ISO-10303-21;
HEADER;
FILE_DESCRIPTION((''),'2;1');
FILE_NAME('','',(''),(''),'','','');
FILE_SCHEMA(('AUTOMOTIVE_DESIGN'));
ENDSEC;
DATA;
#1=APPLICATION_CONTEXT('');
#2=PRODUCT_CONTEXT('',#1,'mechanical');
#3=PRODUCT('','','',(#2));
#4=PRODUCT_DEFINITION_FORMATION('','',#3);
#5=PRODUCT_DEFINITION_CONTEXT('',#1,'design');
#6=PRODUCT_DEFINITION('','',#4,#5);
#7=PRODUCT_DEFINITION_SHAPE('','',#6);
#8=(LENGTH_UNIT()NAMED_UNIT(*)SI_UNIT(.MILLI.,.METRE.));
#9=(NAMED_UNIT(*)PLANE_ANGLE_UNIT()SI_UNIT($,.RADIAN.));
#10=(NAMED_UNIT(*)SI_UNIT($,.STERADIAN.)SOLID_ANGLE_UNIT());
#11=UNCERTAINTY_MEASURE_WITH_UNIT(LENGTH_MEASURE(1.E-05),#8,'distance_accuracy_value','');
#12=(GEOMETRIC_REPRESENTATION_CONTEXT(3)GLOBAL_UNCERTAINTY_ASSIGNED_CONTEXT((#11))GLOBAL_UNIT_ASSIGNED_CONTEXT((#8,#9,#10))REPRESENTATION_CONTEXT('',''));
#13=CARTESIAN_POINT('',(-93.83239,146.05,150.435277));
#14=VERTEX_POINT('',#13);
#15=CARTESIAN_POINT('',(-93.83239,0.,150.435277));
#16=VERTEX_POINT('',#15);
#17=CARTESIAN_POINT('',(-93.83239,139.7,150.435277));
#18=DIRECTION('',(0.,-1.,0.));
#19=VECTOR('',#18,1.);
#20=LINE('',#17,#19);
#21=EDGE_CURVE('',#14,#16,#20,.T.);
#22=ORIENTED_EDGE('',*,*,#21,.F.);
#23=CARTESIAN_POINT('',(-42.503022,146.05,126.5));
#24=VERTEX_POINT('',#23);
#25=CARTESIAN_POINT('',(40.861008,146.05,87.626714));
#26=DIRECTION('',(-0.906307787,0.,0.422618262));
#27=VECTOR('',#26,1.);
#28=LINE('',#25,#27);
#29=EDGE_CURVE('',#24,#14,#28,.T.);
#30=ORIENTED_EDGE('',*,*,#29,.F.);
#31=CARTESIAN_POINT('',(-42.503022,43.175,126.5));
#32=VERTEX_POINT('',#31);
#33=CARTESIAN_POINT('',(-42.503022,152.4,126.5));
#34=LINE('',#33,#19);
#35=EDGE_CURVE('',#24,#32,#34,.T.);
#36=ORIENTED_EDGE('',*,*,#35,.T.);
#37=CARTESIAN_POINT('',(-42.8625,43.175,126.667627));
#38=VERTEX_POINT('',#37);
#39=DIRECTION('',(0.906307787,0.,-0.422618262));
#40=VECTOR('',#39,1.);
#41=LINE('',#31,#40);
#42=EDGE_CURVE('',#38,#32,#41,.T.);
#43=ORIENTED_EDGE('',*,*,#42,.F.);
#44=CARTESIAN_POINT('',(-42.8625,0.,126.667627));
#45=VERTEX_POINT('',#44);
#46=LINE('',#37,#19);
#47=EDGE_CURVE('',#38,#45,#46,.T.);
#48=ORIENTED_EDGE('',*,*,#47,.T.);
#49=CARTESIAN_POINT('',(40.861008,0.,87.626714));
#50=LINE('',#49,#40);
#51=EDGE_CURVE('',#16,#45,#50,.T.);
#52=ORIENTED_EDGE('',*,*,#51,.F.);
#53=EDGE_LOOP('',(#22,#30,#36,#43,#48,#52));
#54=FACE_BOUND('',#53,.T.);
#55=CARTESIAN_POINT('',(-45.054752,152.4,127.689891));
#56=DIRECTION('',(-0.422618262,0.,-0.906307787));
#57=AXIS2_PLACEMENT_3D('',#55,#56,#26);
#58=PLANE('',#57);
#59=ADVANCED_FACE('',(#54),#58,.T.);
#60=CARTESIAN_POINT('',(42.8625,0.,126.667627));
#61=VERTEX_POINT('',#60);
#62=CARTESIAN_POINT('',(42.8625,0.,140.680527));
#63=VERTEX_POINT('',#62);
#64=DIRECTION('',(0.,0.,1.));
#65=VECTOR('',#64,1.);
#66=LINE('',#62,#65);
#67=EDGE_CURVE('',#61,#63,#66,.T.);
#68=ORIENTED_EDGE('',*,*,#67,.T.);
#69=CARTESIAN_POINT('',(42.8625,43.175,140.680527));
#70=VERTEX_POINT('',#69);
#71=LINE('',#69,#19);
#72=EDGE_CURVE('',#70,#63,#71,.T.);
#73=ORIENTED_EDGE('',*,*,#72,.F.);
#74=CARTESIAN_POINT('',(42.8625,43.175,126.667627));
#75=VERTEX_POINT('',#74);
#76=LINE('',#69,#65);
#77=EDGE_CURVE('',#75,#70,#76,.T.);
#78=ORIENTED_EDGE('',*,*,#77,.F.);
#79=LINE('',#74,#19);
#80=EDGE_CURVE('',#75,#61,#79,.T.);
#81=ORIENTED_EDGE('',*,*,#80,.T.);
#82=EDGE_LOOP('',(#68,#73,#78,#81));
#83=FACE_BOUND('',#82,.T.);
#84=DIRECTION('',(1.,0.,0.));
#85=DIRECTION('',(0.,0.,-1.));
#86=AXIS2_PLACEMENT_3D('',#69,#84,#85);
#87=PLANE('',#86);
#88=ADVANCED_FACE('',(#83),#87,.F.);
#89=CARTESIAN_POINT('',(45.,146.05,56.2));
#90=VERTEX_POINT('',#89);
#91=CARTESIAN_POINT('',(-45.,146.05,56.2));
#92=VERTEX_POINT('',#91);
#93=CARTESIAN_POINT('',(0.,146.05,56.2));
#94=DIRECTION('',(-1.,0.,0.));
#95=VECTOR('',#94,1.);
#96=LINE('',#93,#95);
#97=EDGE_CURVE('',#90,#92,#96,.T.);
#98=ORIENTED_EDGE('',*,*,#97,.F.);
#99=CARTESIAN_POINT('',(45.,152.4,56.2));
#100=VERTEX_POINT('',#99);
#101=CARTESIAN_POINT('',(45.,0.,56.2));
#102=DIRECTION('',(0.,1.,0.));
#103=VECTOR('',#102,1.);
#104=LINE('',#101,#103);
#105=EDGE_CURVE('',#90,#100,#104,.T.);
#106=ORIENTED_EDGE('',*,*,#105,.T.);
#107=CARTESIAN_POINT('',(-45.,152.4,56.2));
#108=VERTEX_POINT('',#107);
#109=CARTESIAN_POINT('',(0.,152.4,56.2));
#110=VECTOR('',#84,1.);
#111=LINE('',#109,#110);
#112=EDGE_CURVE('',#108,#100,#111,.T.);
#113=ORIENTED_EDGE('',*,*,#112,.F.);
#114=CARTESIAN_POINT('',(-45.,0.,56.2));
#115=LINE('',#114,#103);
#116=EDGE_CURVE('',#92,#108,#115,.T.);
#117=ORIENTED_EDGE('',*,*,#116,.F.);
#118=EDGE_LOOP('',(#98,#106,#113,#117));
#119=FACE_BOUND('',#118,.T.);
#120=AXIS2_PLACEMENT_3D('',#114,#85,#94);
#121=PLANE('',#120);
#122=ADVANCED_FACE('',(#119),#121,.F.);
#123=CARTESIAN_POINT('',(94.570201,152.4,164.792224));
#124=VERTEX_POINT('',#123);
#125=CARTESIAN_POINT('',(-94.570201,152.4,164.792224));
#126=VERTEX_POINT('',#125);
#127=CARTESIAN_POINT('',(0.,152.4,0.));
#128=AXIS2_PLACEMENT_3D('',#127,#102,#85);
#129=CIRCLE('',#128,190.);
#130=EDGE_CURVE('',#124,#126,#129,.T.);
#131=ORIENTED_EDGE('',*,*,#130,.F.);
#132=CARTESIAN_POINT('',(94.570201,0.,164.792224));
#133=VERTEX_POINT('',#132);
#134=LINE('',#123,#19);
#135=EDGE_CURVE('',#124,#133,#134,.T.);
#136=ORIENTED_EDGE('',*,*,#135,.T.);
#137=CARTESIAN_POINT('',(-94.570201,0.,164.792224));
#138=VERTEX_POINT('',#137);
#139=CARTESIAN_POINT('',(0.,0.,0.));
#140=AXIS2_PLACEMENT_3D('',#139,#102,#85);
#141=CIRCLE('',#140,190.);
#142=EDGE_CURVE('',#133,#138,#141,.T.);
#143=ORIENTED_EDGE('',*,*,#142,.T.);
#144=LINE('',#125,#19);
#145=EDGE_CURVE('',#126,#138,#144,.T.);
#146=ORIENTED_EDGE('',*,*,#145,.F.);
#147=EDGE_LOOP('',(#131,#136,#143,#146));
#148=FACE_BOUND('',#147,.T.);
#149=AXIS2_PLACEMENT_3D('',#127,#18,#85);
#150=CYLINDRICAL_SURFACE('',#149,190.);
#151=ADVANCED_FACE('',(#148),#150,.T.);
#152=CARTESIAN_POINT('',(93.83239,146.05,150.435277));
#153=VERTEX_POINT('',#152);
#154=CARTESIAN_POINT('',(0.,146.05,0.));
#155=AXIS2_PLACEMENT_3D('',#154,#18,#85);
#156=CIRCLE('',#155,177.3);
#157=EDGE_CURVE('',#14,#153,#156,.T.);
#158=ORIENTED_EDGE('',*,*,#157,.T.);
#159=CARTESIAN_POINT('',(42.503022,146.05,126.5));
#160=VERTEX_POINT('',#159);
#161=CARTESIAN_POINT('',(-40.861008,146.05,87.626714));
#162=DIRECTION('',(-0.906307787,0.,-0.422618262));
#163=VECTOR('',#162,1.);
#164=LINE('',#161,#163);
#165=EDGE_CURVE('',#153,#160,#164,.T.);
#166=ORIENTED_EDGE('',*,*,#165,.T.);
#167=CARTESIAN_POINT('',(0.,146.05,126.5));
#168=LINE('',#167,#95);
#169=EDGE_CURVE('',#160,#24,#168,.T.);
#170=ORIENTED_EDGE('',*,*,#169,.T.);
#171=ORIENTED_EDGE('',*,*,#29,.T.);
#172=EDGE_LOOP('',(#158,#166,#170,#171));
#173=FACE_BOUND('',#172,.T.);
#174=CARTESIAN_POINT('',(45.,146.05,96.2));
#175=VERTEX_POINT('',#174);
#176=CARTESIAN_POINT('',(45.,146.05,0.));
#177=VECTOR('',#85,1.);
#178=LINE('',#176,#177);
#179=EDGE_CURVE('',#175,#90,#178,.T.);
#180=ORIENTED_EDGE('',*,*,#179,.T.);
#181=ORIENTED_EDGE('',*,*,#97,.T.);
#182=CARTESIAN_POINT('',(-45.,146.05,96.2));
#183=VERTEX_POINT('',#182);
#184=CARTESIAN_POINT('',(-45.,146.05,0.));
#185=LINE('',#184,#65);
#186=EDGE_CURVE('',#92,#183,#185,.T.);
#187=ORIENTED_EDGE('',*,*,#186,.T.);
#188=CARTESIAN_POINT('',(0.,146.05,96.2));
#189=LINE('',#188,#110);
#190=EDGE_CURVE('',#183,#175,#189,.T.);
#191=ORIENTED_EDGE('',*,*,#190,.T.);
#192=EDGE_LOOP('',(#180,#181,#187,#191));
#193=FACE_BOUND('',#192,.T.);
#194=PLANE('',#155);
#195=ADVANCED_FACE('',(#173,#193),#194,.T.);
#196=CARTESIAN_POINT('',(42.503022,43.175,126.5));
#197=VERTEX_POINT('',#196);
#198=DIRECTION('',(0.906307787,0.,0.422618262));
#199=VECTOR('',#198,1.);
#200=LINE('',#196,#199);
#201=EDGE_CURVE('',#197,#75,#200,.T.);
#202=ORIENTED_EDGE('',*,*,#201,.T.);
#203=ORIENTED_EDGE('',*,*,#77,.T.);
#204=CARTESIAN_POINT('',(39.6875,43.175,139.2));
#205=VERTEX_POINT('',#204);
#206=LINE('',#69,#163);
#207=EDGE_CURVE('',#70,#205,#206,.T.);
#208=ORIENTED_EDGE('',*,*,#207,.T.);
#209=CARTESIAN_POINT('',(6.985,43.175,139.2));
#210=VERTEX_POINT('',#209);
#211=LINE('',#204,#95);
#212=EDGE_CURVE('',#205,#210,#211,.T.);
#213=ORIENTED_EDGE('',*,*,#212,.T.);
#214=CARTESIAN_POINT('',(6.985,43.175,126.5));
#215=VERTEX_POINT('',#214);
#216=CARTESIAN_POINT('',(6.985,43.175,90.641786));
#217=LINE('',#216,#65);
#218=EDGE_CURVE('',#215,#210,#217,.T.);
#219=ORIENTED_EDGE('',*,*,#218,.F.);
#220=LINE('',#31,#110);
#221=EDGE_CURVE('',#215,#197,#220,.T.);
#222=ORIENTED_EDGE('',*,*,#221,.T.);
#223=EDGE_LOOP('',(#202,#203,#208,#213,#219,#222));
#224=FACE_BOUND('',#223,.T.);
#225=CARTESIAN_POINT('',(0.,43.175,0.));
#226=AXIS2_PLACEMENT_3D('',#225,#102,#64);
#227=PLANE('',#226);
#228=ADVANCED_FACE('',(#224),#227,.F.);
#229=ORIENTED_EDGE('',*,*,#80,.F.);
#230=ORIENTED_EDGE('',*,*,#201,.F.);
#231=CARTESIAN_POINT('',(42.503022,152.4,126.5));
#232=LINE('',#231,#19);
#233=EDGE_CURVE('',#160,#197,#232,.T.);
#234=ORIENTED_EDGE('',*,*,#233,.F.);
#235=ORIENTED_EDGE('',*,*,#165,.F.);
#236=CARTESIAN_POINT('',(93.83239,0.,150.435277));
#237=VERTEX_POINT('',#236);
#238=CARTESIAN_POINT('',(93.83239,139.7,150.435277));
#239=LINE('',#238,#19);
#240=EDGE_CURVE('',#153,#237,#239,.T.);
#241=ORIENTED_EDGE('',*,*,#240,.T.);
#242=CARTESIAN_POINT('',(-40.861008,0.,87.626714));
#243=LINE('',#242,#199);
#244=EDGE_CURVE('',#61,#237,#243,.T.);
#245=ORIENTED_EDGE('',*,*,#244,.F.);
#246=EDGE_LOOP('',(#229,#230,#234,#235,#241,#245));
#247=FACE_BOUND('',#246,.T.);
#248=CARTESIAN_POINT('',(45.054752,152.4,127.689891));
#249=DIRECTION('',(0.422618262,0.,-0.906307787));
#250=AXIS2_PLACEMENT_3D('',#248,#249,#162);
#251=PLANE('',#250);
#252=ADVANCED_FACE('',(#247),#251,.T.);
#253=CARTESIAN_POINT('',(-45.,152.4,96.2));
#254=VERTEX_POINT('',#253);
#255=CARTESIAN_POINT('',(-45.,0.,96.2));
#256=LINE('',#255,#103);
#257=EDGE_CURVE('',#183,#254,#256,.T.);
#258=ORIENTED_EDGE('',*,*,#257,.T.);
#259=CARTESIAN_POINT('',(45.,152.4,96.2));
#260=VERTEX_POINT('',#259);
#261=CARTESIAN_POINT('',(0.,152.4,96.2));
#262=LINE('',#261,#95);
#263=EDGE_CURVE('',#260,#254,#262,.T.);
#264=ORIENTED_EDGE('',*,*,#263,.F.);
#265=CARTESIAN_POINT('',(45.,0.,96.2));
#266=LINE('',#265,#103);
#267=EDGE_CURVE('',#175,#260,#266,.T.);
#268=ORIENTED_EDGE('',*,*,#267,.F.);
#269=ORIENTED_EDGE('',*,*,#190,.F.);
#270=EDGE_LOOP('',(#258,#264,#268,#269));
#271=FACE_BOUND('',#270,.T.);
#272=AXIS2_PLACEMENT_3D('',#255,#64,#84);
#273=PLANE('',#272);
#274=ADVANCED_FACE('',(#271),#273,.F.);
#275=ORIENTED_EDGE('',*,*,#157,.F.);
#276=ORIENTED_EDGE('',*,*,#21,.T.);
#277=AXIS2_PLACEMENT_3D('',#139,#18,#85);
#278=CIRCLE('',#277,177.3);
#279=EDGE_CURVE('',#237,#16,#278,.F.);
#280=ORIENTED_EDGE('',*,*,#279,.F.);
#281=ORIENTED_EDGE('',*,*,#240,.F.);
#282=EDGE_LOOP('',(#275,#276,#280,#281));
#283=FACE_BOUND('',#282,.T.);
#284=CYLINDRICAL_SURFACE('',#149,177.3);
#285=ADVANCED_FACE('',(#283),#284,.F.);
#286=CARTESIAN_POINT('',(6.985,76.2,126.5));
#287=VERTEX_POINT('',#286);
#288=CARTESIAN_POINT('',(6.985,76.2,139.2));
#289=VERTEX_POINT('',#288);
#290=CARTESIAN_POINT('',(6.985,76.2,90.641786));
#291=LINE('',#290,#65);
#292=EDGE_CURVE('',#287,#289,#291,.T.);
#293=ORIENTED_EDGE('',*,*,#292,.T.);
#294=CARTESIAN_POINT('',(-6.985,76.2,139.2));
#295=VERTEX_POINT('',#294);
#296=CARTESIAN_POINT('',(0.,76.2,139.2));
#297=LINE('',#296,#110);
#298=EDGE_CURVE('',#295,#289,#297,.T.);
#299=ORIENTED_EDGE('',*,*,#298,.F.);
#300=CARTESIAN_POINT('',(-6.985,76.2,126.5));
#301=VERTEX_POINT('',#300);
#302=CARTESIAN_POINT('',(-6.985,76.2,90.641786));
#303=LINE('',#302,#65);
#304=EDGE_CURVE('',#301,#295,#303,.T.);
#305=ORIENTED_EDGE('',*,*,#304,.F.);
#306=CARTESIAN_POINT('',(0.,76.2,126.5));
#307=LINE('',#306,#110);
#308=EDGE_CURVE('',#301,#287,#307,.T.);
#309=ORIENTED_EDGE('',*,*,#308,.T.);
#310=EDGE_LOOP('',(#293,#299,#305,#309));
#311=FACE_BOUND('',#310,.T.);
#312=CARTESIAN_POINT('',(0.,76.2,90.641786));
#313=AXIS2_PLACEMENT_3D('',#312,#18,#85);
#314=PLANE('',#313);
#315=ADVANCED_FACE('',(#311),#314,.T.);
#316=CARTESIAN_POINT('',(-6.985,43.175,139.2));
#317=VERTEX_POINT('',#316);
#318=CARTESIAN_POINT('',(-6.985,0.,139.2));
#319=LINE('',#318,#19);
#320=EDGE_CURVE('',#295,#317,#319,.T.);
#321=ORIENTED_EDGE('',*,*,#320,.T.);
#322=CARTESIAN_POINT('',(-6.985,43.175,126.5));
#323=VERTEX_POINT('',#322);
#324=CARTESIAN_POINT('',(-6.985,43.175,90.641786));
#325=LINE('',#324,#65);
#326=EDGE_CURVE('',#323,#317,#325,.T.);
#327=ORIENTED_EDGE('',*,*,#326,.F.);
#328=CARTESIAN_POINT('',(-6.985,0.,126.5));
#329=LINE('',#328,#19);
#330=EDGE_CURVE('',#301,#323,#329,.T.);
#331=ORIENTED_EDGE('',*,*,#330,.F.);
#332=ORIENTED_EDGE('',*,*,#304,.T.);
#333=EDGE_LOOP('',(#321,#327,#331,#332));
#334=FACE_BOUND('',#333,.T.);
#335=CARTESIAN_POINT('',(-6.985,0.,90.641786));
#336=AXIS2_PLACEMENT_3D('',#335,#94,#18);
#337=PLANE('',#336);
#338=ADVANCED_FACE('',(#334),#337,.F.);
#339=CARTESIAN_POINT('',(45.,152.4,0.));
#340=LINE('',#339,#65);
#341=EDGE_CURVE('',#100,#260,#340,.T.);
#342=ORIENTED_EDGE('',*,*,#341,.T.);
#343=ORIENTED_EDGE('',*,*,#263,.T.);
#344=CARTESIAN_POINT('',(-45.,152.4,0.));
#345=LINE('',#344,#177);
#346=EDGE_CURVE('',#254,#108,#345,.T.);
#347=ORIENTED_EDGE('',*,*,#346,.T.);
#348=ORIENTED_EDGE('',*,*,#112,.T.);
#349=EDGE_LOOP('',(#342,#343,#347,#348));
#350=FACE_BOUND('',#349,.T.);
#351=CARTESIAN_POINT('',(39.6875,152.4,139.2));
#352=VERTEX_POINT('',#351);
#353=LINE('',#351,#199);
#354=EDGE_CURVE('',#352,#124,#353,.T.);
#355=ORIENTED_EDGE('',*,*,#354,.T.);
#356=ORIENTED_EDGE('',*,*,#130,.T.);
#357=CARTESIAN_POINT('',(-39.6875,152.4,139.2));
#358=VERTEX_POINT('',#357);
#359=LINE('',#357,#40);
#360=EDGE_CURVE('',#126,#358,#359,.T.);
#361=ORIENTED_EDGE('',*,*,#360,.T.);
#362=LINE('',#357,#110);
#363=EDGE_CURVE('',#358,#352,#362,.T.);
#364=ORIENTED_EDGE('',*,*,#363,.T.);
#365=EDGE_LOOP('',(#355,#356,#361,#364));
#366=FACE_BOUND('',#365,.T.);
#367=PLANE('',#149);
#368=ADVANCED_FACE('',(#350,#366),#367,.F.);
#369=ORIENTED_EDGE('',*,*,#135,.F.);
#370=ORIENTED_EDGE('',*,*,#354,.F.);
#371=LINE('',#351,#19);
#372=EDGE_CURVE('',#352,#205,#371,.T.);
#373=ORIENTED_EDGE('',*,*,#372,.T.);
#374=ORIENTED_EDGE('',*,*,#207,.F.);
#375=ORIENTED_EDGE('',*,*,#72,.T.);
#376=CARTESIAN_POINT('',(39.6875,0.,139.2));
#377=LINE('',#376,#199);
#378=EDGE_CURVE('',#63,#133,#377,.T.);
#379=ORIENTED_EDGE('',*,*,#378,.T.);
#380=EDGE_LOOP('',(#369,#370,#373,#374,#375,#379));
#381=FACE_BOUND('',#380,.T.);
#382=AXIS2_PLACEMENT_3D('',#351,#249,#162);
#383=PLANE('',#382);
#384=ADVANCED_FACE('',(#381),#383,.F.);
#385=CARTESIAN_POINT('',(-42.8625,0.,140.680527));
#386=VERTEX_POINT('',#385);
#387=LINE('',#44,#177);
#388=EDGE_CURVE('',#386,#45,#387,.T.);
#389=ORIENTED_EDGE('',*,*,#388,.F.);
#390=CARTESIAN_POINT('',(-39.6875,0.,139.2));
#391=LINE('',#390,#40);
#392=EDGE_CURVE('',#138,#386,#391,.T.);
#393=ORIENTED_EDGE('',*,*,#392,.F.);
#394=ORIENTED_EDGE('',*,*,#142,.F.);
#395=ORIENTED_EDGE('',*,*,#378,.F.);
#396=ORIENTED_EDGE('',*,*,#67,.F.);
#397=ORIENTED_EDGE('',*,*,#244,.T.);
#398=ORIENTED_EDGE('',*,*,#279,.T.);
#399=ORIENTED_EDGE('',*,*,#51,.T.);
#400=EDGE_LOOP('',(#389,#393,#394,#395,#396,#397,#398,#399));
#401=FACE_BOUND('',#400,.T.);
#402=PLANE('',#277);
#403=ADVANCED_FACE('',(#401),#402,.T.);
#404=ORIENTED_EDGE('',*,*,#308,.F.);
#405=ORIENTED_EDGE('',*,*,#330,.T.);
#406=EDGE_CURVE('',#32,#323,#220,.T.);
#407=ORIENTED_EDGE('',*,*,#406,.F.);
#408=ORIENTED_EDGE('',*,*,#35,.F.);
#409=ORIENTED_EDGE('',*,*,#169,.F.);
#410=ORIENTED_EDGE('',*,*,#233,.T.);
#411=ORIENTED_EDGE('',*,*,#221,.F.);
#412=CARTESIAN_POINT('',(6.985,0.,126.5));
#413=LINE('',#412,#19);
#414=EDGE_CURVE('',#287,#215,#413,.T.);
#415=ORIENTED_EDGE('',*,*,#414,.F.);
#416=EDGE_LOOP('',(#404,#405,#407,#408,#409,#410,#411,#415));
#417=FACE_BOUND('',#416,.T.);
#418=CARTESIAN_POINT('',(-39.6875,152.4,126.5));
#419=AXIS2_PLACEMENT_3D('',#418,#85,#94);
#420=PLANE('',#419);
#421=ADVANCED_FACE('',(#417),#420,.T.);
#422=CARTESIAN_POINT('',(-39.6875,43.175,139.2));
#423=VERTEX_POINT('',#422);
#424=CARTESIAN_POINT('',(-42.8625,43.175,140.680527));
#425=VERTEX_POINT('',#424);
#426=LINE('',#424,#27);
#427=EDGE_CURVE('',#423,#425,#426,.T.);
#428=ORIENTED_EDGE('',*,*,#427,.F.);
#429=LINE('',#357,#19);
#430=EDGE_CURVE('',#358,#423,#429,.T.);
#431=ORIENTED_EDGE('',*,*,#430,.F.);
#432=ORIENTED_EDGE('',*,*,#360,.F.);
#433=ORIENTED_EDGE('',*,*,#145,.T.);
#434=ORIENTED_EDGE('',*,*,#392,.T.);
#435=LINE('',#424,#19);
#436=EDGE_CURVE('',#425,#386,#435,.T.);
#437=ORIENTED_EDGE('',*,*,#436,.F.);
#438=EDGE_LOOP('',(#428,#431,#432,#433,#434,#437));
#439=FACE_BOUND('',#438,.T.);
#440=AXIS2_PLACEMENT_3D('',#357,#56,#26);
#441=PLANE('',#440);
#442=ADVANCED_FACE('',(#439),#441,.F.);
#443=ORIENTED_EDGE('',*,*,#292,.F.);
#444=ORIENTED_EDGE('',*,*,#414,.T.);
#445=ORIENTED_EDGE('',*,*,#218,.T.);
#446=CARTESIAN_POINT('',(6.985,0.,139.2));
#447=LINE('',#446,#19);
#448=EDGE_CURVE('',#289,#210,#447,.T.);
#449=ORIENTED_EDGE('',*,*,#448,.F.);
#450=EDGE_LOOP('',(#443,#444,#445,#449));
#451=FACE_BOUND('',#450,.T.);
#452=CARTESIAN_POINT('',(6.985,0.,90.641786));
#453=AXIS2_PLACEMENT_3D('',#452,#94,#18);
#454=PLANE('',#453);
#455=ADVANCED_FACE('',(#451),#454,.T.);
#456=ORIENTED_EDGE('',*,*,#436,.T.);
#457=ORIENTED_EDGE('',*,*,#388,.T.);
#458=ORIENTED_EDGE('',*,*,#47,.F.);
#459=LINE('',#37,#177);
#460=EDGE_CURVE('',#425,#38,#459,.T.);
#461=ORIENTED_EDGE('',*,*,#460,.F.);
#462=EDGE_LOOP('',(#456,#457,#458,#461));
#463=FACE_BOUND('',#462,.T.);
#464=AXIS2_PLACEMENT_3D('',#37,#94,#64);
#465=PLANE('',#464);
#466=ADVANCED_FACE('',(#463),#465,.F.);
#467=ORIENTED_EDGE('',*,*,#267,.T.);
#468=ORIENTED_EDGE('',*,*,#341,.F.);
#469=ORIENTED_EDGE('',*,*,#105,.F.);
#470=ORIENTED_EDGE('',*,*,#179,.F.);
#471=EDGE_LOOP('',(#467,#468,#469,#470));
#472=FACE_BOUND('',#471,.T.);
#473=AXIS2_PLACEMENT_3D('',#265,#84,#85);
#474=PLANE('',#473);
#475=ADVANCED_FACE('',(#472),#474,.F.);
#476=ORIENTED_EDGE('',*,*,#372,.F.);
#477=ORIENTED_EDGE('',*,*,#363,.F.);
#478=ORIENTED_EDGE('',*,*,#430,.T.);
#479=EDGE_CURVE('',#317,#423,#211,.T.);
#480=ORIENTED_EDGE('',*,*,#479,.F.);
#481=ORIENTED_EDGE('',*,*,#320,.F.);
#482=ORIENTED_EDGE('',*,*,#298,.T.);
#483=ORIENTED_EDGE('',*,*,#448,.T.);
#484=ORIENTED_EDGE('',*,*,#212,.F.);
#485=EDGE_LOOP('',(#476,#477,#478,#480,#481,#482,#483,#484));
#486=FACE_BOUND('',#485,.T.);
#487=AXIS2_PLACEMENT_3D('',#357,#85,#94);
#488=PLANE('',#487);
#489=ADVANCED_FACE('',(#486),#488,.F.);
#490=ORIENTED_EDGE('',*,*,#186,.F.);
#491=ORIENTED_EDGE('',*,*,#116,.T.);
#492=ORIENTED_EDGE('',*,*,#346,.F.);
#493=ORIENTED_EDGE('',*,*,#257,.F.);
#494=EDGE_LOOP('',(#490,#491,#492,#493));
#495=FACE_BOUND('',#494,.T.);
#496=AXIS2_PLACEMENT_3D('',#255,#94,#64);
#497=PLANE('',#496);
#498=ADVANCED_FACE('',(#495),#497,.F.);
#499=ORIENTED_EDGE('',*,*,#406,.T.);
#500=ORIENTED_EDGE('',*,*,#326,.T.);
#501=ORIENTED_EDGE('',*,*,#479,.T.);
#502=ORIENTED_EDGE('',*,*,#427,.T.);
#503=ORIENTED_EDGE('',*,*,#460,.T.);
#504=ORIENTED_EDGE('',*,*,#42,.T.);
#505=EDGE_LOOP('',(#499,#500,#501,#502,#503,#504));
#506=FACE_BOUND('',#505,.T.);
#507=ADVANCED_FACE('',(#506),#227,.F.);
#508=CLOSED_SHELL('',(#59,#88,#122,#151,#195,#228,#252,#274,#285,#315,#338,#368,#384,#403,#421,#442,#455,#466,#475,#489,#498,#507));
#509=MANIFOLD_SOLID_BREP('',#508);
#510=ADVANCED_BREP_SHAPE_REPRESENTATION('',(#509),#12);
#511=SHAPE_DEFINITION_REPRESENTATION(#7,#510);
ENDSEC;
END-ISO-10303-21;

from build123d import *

# Parameters (mm, degrees)
BOSS_EXTRUDE1_DEPTH     = 152.4
SHELL2_T                = -12.7
CUT_EXTRUDE1_DEPTH      = 43.175
CUT_EXTRUDE2_DEPTH      = 309.910601955
CUT_EXTRUDE2_DEPTH_BACK = 309.910601955
SKETCH3_W               = 90
SKETCH3_H               = 40
SKETCH4_W               = 13.97
SKETCH4_H               = 33.025
CUT_EXTRUDE3_DEPTH      = 12.7
SKETCH5_W               = 90
SKETCH5_H               = 40
CUT_EXTRUDE4_DEPTH      = 6.35


with BuildPart() as part:
    # Sketch1 → Boss-Extrude1 (new body)
    with BuildSketch(Plane(origin=(0, 0, 0), x_dir=(1, 0, 0), z_dir=(0, 1, 0))):
        with BuildLine():
            Line((-39.6875, -139.2), (39.6875, -139.2))
            Line((39.6875, -139.2), (94.570201191, -164.792223866))
            ThreePointArc((94.570201191, -164.792223866), (0, 190), (-94.570201191, -164.792223866))
            Line((-94.570201191, -164.792223866), (-39.6875, -139.2))
        make_face()
    extrude(amount=BOSS_EXTRUDE1_DEPTH)

    # Shell2
    shell2_openings = [part.faces().sort_by_distance(p)[0] for p in [
        (0, 0, -10.230254614),
    ]]
    offset(amount=SHELL2_T, openings=shell2_openings, kind=Kind.INTERSECTION)

    # Sketch2 → Cut-Extrude1 (cut)
    with BuildSketch(Plane.XZ):
        Polygon((-42.503022216, 126.5), (42.503022216, 126.5), (42.8625, 126.667627244), (42.8625, 140.680526815), (39.6875, 139.2), (-39.6875, 139.2), (-42.8625, 140.680526815), (-42.8625, 126.667627244), align=None)
    extrude(amount=-CUT_EXTRUDE1_DEPTH, mode=Mode.SUBTRACT)

    # Sketch3 → Cut-Extrude2 (cut, two sides: drawn at the far end of the back side and taken through both)
    with BuildSketch(Plane(origin=(0, 152.4, 0), x_dir=(1, 0, 0), z_dir=(0, 1, 0)).offset(-CUT_EXTRUDE2_DEPTH_BACK)):
        with Locations((0, -76.2)):
            Rectangle(SKETCH3_W, SKETCH3_H)
    extrude(amount=CUT_EXTRUDE2_DEPTH + CUT_EXTRUDE2_DEPTH_BACK, mode=Mode.SUBTRACT)

    # Sketch4 → Cut-Extrude3 (cut)
    with BuildSketch(Plane.XY.offset(139.2)):
        with Locations((0, 59.6875)):
            Rectangle(SKETCH4_W, SKETCH4_H)
    extrude(amount=-CUT_EXTRUDE3_DEPTH, mode=Mode.SUBTRACT)

    # Sketch5 → Cut-Extrude4 (cut)
    with BuildSketch(Plane.XZ.offset(-139.7)):
        with BuildLine():
            Line((42.503022216, 126.5), (-42.503022216, 126.5))
            Line((-42.503022216, 126.5), (-93.832389801, 150.435277193))
            ThreePointArc((-93.832389801, 150.435277193), (0, -177.3), (93.832389801, 150.435277193))
            Line((93.832389801, 150.435277193), (42.503022216, 126.5))
        make_face()
        with Locations((0, 76.2)):
            Rectangle(SKETCH5_W, SKETCH5_H, mode=Mode.SUBTRACT)
    extrude(amount=-CUT_EXTRUDE4_DEPTH, mode=Mode.SUBTRACT)


solid = part.part
